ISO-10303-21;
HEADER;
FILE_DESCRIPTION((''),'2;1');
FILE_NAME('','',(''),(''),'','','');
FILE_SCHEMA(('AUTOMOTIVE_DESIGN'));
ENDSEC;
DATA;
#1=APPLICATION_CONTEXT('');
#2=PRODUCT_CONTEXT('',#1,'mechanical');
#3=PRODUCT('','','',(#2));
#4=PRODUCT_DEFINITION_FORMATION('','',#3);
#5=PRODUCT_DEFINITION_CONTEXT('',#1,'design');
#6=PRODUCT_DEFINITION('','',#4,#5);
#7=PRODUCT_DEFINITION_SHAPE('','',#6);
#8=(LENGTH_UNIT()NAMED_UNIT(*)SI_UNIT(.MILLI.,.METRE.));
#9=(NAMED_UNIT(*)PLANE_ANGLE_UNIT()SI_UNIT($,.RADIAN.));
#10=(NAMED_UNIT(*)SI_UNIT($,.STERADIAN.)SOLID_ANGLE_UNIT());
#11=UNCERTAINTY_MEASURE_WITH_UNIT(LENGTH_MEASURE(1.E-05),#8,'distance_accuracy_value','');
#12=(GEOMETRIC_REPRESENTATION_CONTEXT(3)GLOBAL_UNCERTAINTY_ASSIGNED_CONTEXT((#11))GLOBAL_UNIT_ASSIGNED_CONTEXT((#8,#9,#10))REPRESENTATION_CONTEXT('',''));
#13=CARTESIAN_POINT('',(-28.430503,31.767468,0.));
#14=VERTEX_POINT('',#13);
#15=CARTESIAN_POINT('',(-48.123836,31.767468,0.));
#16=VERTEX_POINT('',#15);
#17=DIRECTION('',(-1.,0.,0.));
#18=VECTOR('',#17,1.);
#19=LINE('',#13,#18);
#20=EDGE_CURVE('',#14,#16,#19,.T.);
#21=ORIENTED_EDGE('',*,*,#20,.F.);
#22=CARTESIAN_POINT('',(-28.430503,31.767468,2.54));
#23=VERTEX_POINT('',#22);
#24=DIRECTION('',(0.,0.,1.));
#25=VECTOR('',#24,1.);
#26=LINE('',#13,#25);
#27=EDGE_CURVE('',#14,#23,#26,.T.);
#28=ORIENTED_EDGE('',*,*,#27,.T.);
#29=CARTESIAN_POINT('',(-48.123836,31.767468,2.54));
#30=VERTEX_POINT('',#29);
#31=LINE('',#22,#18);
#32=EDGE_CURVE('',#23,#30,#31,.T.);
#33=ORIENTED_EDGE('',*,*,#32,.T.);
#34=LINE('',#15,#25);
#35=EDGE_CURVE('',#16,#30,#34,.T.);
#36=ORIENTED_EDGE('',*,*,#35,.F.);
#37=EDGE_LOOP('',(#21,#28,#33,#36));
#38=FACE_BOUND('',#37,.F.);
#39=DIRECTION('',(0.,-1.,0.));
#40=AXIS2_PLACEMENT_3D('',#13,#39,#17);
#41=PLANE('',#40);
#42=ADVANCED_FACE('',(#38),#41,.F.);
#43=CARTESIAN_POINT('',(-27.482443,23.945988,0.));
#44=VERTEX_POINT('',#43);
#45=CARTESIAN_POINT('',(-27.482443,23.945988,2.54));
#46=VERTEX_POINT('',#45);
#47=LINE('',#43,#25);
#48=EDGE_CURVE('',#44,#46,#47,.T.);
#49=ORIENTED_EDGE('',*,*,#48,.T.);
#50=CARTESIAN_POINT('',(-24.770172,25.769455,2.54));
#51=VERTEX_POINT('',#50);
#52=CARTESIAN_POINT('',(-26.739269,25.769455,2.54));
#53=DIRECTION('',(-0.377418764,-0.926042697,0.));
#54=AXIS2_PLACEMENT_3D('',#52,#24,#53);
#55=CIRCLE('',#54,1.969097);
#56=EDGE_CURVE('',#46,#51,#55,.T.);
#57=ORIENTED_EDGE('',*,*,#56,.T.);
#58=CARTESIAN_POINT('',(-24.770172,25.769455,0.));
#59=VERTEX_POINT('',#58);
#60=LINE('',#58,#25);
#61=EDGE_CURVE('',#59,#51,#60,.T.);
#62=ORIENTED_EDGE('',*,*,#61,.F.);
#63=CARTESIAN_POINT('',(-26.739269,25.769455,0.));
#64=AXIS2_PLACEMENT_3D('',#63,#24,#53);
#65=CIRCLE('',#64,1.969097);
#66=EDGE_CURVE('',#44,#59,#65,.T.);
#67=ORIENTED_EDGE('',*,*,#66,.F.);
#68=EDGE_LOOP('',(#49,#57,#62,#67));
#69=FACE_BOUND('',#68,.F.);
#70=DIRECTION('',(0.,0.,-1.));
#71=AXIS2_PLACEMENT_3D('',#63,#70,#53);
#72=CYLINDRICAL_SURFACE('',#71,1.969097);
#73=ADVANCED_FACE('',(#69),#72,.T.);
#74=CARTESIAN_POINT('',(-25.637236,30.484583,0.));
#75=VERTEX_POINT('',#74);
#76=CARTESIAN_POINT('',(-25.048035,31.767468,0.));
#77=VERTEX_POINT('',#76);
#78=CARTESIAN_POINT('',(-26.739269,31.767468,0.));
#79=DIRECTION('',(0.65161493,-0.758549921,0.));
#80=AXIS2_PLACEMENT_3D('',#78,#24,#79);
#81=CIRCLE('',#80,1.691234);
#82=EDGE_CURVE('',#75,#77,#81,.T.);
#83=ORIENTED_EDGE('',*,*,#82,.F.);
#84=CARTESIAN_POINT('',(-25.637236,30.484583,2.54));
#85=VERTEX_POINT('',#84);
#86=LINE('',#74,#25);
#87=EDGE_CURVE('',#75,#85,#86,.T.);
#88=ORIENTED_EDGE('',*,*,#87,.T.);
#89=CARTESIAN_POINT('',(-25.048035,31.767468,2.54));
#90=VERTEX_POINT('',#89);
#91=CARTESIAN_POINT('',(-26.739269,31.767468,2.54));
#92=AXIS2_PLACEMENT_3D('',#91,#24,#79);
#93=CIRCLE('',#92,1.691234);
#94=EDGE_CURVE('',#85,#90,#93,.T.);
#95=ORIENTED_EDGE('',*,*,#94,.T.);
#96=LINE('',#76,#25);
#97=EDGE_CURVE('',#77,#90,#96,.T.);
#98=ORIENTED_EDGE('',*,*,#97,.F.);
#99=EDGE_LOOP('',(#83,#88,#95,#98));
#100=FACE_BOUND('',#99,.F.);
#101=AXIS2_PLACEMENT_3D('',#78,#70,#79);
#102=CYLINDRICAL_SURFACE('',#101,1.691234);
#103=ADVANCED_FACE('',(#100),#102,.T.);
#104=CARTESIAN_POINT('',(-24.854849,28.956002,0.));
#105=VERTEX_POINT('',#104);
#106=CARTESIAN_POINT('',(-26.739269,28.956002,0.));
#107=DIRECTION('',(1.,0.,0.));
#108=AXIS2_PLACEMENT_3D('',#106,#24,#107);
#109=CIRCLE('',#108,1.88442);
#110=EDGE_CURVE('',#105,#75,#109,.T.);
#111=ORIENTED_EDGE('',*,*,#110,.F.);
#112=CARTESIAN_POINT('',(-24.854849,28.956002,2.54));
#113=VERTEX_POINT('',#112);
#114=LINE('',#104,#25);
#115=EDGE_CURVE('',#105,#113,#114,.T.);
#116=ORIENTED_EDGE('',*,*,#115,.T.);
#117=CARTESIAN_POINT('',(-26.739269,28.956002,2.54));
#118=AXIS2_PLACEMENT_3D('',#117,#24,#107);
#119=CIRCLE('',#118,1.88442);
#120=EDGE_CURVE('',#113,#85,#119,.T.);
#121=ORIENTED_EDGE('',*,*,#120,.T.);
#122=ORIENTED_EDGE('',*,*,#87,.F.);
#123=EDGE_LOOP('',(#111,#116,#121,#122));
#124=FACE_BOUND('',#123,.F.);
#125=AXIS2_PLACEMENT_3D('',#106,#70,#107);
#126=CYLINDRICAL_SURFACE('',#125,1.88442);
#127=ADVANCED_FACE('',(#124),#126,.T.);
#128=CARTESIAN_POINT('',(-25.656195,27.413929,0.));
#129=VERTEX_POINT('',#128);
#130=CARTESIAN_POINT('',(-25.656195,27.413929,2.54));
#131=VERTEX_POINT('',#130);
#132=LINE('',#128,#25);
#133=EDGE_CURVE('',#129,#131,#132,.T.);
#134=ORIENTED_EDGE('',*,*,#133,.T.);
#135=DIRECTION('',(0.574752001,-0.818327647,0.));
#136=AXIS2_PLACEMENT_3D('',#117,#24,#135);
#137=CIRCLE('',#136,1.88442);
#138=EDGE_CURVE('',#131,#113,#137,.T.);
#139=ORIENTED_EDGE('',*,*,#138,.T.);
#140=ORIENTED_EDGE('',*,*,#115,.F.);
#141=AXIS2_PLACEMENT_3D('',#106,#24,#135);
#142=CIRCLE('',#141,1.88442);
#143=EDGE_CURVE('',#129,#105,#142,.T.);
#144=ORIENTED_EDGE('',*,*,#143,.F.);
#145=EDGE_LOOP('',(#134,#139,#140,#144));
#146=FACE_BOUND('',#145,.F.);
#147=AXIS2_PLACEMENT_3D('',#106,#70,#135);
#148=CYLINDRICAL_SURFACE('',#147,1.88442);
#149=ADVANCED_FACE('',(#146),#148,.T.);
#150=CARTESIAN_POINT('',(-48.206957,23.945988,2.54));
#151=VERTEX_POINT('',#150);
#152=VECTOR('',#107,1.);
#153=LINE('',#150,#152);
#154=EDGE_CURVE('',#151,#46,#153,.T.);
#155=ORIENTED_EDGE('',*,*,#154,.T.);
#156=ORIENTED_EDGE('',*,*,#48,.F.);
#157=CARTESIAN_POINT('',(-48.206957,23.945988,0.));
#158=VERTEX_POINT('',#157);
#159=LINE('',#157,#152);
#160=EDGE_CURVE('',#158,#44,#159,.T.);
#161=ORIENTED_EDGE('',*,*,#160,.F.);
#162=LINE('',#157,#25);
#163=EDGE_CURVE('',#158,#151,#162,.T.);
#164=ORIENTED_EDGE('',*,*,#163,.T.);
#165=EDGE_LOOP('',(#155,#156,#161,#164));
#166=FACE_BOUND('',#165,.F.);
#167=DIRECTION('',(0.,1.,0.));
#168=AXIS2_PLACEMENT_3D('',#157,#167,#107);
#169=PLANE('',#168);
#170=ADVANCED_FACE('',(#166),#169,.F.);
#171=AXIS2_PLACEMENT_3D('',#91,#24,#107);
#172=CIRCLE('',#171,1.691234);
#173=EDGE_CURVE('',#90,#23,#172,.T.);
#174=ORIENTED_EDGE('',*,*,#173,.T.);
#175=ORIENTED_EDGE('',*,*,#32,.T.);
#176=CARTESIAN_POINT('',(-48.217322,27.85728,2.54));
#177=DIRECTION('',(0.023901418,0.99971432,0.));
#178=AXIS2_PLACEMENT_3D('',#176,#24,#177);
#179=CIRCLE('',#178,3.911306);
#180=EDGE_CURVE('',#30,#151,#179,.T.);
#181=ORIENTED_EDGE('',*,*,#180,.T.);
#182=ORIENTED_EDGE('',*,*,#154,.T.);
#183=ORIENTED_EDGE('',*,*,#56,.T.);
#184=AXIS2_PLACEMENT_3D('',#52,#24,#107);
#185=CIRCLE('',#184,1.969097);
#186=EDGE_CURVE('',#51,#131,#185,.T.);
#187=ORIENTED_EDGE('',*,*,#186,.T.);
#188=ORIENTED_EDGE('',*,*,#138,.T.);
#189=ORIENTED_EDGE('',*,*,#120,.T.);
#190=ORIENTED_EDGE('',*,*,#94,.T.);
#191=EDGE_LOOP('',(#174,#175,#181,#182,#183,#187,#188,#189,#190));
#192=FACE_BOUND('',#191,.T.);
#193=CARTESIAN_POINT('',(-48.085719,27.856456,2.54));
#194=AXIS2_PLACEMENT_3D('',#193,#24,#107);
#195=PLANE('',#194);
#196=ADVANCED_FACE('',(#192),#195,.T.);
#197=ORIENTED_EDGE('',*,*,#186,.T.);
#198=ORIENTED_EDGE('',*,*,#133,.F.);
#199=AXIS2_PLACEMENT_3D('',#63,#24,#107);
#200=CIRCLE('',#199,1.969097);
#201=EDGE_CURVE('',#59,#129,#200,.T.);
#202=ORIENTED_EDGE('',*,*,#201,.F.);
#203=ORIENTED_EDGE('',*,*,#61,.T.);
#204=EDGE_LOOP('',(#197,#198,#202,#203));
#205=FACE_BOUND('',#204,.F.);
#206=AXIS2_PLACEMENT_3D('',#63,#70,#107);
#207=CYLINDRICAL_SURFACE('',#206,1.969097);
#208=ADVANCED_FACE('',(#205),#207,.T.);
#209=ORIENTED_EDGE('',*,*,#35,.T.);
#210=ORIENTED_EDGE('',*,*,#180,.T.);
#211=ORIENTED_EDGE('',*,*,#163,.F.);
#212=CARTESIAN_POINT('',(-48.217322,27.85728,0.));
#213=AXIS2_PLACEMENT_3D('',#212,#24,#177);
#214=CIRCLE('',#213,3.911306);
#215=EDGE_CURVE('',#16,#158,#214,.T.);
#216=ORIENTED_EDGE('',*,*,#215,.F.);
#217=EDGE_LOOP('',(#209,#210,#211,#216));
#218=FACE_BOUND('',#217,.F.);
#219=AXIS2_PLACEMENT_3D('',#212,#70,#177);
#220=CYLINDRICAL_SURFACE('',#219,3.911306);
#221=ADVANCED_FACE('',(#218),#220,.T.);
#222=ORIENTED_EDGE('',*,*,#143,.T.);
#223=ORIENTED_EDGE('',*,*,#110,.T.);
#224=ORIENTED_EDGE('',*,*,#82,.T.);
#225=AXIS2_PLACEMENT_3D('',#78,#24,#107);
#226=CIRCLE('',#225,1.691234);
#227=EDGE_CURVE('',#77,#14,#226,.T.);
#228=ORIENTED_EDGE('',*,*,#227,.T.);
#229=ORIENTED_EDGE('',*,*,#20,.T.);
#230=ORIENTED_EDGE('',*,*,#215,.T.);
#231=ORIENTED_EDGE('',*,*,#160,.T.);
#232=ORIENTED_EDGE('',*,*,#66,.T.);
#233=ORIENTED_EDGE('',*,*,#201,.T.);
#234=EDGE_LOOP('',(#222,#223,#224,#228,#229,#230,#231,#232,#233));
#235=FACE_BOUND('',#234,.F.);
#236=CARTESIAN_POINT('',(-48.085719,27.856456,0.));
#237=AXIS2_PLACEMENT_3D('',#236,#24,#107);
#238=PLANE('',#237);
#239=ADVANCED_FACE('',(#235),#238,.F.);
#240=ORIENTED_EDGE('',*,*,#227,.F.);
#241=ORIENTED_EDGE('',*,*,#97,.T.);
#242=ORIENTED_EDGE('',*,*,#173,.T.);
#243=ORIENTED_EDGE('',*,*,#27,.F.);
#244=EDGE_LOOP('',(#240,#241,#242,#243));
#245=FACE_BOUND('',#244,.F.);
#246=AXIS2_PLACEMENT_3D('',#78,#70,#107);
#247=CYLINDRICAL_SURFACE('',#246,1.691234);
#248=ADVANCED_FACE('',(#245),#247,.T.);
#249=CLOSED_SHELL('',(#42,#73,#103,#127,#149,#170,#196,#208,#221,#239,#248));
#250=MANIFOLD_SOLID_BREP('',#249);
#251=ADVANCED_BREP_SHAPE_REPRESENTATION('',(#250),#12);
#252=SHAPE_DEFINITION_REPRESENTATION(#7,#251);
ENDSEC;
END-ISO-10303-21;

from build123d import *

# Parameters (mm, degrees)
F1_DEPTH = 2.54


with BuildPart() as f1:
    # F0 (on Top) → F1 (new body)
    with BuildSketch(Plane.XY):
        with BuildLine():
            ThreePointArc((-48.2069574252, 23.9459875329), (-45.4479490063, 25.0952354669), (-44.306015985, 27.8572795006))
            ThreePointArc((-44.306015985, 27.8572795006), (-45.4187538691, 30.5897381841), (-48.123835931, 31.7674678193))
            ThreePointArc((-48.123835931, 31.7674678193), (-52.1284065306, 27.8988439109), (-48.2069574252, 23.9459875329))
        make_face()
        with BuildLine():
            ThreePointArc((-48.123835931, 31.7674678193), (-45.4187538691, 30.5897381841), (-44.306015985, 27.8572795006))
            ThreePointArc((-44.306015985, 27.8572795006), (-45.4479490063, 25.0952354669), (-48.2069574252, 23.9459875329))
            Line((-48.2069574252, 23.9459875329), (-27.4824430727, 23.9459875329))
            ThreePointArc((-27.4824430727, 23.9459875329), (-28.698975557, 25.5773806564), (-27.8223428434, 27.4139290206))
            ThreePointArc((-27.8223428434, 27.4139290206), (-28.6236525625, 28.9443668487), (-27.8413020228, 30.4845826922))
            ThreePointArc((-27.8413020228, 30.4845826922), (-28.276159726, 31.0616081435), (-28.4305025642, 31.7674678193))
            Line((-28.4305025642, 31.7674678193), (-48.123835931, 31.7674678193))
        make_face()
        with BuildLine():
            ThreePointArc((-25.048035327, 31.7674678193), (-26.7392689456, 33.4587014379), (-28.4305025642, 31.7674678193))
            ThreePointArc((-28.4305025642, 31.7674678193), (-28.276159726, 31.0616081435), (-27.8413020228, 30.4845826922))
            ThreePointArc((-27.8413020228, 30.4845826922), (-26.7392689456, 30.8404211594), (-25.6372358685, 30.4845826922))
            ThreePointArc((-25.6372358685, 30.4845826922), (-25.2023781652, 31.0616081435), (-25.048035327, 31.7674678193))
        make_face()
        with BuildLine():
            ThreePointArc((-27.8223428434, 27.4139290206), (-28.698975557, 25.5773806564), (-27.4824430727, 23.9459875329))
            ThreePointArc((-27.4824430727, 23.9459875329), (-25.6406423469, 24.1353310392), (-24.7701720222, 25.7694553584))
            ThreePointArc((-24.7701720222, 25.7694553584), (-25.0057724539, 26.7034428352), (-25.6561950478, 27.4139290206))
            ThreePointArc((-25.6561950478, 27.4139290206), (-26.7392689456, 27.0715820895), (-27.8223428434, 27.4139290206))
        make_face()
        with BuildLine():
            ThreePointArc((-25.6372358685, 30.4845826922), (-26.7392689456, 30.8404211594), (-27.8413020228, 30.4845826922))
            ThreePointArc((-27.8413020228, 30.4845826922), (-26.7392689456, 30.0762342007), (-25.6372358685, 30.4845826922))
        make_face()
        with BuildLine():
            ThreePointArc((-25.6372358685, 30.4845826922), (-26.7392689456, 30.0762342007), (-27.8413020228, 30.4845826922))
            ThreePointArc((-27.8413020228, 30.4845826922), (-28.6236525625, 28.9443668487), (-27.8223428434, 27.4139290206))
            ThreePointArc((-27.8223428434, 27.4139290206), (-26.7392689456, 27.7385522818), (-25.6561950478, 27.4139290206))
            ThreePointArc((-25.6561950478, 27.4139290206), (-25.0671441604, 28.0870737296), (-24.8548494107, 28.9560016245))
            ThreePointArc((-24.8548494107, 28.9560016245), (-25.0618111008, 29.8145889307), (-25.6372358685, 30.4845826922))
        make_face()
        with BuildLine():
            ThreePointArc((-25.6561950478, 27.4139290206), (-26.7392689456, 27.7385522818), (-27.8223428434, 27.4139290206))
            ThreePointArc((-27.8223428434, 27.4139290206), (-26.7392689456, 27.0715820895), (-25.6561950478, 27.4139290206))
        make_face()
    extrude(amount=F1_DEPTH)


solid = f1.part
